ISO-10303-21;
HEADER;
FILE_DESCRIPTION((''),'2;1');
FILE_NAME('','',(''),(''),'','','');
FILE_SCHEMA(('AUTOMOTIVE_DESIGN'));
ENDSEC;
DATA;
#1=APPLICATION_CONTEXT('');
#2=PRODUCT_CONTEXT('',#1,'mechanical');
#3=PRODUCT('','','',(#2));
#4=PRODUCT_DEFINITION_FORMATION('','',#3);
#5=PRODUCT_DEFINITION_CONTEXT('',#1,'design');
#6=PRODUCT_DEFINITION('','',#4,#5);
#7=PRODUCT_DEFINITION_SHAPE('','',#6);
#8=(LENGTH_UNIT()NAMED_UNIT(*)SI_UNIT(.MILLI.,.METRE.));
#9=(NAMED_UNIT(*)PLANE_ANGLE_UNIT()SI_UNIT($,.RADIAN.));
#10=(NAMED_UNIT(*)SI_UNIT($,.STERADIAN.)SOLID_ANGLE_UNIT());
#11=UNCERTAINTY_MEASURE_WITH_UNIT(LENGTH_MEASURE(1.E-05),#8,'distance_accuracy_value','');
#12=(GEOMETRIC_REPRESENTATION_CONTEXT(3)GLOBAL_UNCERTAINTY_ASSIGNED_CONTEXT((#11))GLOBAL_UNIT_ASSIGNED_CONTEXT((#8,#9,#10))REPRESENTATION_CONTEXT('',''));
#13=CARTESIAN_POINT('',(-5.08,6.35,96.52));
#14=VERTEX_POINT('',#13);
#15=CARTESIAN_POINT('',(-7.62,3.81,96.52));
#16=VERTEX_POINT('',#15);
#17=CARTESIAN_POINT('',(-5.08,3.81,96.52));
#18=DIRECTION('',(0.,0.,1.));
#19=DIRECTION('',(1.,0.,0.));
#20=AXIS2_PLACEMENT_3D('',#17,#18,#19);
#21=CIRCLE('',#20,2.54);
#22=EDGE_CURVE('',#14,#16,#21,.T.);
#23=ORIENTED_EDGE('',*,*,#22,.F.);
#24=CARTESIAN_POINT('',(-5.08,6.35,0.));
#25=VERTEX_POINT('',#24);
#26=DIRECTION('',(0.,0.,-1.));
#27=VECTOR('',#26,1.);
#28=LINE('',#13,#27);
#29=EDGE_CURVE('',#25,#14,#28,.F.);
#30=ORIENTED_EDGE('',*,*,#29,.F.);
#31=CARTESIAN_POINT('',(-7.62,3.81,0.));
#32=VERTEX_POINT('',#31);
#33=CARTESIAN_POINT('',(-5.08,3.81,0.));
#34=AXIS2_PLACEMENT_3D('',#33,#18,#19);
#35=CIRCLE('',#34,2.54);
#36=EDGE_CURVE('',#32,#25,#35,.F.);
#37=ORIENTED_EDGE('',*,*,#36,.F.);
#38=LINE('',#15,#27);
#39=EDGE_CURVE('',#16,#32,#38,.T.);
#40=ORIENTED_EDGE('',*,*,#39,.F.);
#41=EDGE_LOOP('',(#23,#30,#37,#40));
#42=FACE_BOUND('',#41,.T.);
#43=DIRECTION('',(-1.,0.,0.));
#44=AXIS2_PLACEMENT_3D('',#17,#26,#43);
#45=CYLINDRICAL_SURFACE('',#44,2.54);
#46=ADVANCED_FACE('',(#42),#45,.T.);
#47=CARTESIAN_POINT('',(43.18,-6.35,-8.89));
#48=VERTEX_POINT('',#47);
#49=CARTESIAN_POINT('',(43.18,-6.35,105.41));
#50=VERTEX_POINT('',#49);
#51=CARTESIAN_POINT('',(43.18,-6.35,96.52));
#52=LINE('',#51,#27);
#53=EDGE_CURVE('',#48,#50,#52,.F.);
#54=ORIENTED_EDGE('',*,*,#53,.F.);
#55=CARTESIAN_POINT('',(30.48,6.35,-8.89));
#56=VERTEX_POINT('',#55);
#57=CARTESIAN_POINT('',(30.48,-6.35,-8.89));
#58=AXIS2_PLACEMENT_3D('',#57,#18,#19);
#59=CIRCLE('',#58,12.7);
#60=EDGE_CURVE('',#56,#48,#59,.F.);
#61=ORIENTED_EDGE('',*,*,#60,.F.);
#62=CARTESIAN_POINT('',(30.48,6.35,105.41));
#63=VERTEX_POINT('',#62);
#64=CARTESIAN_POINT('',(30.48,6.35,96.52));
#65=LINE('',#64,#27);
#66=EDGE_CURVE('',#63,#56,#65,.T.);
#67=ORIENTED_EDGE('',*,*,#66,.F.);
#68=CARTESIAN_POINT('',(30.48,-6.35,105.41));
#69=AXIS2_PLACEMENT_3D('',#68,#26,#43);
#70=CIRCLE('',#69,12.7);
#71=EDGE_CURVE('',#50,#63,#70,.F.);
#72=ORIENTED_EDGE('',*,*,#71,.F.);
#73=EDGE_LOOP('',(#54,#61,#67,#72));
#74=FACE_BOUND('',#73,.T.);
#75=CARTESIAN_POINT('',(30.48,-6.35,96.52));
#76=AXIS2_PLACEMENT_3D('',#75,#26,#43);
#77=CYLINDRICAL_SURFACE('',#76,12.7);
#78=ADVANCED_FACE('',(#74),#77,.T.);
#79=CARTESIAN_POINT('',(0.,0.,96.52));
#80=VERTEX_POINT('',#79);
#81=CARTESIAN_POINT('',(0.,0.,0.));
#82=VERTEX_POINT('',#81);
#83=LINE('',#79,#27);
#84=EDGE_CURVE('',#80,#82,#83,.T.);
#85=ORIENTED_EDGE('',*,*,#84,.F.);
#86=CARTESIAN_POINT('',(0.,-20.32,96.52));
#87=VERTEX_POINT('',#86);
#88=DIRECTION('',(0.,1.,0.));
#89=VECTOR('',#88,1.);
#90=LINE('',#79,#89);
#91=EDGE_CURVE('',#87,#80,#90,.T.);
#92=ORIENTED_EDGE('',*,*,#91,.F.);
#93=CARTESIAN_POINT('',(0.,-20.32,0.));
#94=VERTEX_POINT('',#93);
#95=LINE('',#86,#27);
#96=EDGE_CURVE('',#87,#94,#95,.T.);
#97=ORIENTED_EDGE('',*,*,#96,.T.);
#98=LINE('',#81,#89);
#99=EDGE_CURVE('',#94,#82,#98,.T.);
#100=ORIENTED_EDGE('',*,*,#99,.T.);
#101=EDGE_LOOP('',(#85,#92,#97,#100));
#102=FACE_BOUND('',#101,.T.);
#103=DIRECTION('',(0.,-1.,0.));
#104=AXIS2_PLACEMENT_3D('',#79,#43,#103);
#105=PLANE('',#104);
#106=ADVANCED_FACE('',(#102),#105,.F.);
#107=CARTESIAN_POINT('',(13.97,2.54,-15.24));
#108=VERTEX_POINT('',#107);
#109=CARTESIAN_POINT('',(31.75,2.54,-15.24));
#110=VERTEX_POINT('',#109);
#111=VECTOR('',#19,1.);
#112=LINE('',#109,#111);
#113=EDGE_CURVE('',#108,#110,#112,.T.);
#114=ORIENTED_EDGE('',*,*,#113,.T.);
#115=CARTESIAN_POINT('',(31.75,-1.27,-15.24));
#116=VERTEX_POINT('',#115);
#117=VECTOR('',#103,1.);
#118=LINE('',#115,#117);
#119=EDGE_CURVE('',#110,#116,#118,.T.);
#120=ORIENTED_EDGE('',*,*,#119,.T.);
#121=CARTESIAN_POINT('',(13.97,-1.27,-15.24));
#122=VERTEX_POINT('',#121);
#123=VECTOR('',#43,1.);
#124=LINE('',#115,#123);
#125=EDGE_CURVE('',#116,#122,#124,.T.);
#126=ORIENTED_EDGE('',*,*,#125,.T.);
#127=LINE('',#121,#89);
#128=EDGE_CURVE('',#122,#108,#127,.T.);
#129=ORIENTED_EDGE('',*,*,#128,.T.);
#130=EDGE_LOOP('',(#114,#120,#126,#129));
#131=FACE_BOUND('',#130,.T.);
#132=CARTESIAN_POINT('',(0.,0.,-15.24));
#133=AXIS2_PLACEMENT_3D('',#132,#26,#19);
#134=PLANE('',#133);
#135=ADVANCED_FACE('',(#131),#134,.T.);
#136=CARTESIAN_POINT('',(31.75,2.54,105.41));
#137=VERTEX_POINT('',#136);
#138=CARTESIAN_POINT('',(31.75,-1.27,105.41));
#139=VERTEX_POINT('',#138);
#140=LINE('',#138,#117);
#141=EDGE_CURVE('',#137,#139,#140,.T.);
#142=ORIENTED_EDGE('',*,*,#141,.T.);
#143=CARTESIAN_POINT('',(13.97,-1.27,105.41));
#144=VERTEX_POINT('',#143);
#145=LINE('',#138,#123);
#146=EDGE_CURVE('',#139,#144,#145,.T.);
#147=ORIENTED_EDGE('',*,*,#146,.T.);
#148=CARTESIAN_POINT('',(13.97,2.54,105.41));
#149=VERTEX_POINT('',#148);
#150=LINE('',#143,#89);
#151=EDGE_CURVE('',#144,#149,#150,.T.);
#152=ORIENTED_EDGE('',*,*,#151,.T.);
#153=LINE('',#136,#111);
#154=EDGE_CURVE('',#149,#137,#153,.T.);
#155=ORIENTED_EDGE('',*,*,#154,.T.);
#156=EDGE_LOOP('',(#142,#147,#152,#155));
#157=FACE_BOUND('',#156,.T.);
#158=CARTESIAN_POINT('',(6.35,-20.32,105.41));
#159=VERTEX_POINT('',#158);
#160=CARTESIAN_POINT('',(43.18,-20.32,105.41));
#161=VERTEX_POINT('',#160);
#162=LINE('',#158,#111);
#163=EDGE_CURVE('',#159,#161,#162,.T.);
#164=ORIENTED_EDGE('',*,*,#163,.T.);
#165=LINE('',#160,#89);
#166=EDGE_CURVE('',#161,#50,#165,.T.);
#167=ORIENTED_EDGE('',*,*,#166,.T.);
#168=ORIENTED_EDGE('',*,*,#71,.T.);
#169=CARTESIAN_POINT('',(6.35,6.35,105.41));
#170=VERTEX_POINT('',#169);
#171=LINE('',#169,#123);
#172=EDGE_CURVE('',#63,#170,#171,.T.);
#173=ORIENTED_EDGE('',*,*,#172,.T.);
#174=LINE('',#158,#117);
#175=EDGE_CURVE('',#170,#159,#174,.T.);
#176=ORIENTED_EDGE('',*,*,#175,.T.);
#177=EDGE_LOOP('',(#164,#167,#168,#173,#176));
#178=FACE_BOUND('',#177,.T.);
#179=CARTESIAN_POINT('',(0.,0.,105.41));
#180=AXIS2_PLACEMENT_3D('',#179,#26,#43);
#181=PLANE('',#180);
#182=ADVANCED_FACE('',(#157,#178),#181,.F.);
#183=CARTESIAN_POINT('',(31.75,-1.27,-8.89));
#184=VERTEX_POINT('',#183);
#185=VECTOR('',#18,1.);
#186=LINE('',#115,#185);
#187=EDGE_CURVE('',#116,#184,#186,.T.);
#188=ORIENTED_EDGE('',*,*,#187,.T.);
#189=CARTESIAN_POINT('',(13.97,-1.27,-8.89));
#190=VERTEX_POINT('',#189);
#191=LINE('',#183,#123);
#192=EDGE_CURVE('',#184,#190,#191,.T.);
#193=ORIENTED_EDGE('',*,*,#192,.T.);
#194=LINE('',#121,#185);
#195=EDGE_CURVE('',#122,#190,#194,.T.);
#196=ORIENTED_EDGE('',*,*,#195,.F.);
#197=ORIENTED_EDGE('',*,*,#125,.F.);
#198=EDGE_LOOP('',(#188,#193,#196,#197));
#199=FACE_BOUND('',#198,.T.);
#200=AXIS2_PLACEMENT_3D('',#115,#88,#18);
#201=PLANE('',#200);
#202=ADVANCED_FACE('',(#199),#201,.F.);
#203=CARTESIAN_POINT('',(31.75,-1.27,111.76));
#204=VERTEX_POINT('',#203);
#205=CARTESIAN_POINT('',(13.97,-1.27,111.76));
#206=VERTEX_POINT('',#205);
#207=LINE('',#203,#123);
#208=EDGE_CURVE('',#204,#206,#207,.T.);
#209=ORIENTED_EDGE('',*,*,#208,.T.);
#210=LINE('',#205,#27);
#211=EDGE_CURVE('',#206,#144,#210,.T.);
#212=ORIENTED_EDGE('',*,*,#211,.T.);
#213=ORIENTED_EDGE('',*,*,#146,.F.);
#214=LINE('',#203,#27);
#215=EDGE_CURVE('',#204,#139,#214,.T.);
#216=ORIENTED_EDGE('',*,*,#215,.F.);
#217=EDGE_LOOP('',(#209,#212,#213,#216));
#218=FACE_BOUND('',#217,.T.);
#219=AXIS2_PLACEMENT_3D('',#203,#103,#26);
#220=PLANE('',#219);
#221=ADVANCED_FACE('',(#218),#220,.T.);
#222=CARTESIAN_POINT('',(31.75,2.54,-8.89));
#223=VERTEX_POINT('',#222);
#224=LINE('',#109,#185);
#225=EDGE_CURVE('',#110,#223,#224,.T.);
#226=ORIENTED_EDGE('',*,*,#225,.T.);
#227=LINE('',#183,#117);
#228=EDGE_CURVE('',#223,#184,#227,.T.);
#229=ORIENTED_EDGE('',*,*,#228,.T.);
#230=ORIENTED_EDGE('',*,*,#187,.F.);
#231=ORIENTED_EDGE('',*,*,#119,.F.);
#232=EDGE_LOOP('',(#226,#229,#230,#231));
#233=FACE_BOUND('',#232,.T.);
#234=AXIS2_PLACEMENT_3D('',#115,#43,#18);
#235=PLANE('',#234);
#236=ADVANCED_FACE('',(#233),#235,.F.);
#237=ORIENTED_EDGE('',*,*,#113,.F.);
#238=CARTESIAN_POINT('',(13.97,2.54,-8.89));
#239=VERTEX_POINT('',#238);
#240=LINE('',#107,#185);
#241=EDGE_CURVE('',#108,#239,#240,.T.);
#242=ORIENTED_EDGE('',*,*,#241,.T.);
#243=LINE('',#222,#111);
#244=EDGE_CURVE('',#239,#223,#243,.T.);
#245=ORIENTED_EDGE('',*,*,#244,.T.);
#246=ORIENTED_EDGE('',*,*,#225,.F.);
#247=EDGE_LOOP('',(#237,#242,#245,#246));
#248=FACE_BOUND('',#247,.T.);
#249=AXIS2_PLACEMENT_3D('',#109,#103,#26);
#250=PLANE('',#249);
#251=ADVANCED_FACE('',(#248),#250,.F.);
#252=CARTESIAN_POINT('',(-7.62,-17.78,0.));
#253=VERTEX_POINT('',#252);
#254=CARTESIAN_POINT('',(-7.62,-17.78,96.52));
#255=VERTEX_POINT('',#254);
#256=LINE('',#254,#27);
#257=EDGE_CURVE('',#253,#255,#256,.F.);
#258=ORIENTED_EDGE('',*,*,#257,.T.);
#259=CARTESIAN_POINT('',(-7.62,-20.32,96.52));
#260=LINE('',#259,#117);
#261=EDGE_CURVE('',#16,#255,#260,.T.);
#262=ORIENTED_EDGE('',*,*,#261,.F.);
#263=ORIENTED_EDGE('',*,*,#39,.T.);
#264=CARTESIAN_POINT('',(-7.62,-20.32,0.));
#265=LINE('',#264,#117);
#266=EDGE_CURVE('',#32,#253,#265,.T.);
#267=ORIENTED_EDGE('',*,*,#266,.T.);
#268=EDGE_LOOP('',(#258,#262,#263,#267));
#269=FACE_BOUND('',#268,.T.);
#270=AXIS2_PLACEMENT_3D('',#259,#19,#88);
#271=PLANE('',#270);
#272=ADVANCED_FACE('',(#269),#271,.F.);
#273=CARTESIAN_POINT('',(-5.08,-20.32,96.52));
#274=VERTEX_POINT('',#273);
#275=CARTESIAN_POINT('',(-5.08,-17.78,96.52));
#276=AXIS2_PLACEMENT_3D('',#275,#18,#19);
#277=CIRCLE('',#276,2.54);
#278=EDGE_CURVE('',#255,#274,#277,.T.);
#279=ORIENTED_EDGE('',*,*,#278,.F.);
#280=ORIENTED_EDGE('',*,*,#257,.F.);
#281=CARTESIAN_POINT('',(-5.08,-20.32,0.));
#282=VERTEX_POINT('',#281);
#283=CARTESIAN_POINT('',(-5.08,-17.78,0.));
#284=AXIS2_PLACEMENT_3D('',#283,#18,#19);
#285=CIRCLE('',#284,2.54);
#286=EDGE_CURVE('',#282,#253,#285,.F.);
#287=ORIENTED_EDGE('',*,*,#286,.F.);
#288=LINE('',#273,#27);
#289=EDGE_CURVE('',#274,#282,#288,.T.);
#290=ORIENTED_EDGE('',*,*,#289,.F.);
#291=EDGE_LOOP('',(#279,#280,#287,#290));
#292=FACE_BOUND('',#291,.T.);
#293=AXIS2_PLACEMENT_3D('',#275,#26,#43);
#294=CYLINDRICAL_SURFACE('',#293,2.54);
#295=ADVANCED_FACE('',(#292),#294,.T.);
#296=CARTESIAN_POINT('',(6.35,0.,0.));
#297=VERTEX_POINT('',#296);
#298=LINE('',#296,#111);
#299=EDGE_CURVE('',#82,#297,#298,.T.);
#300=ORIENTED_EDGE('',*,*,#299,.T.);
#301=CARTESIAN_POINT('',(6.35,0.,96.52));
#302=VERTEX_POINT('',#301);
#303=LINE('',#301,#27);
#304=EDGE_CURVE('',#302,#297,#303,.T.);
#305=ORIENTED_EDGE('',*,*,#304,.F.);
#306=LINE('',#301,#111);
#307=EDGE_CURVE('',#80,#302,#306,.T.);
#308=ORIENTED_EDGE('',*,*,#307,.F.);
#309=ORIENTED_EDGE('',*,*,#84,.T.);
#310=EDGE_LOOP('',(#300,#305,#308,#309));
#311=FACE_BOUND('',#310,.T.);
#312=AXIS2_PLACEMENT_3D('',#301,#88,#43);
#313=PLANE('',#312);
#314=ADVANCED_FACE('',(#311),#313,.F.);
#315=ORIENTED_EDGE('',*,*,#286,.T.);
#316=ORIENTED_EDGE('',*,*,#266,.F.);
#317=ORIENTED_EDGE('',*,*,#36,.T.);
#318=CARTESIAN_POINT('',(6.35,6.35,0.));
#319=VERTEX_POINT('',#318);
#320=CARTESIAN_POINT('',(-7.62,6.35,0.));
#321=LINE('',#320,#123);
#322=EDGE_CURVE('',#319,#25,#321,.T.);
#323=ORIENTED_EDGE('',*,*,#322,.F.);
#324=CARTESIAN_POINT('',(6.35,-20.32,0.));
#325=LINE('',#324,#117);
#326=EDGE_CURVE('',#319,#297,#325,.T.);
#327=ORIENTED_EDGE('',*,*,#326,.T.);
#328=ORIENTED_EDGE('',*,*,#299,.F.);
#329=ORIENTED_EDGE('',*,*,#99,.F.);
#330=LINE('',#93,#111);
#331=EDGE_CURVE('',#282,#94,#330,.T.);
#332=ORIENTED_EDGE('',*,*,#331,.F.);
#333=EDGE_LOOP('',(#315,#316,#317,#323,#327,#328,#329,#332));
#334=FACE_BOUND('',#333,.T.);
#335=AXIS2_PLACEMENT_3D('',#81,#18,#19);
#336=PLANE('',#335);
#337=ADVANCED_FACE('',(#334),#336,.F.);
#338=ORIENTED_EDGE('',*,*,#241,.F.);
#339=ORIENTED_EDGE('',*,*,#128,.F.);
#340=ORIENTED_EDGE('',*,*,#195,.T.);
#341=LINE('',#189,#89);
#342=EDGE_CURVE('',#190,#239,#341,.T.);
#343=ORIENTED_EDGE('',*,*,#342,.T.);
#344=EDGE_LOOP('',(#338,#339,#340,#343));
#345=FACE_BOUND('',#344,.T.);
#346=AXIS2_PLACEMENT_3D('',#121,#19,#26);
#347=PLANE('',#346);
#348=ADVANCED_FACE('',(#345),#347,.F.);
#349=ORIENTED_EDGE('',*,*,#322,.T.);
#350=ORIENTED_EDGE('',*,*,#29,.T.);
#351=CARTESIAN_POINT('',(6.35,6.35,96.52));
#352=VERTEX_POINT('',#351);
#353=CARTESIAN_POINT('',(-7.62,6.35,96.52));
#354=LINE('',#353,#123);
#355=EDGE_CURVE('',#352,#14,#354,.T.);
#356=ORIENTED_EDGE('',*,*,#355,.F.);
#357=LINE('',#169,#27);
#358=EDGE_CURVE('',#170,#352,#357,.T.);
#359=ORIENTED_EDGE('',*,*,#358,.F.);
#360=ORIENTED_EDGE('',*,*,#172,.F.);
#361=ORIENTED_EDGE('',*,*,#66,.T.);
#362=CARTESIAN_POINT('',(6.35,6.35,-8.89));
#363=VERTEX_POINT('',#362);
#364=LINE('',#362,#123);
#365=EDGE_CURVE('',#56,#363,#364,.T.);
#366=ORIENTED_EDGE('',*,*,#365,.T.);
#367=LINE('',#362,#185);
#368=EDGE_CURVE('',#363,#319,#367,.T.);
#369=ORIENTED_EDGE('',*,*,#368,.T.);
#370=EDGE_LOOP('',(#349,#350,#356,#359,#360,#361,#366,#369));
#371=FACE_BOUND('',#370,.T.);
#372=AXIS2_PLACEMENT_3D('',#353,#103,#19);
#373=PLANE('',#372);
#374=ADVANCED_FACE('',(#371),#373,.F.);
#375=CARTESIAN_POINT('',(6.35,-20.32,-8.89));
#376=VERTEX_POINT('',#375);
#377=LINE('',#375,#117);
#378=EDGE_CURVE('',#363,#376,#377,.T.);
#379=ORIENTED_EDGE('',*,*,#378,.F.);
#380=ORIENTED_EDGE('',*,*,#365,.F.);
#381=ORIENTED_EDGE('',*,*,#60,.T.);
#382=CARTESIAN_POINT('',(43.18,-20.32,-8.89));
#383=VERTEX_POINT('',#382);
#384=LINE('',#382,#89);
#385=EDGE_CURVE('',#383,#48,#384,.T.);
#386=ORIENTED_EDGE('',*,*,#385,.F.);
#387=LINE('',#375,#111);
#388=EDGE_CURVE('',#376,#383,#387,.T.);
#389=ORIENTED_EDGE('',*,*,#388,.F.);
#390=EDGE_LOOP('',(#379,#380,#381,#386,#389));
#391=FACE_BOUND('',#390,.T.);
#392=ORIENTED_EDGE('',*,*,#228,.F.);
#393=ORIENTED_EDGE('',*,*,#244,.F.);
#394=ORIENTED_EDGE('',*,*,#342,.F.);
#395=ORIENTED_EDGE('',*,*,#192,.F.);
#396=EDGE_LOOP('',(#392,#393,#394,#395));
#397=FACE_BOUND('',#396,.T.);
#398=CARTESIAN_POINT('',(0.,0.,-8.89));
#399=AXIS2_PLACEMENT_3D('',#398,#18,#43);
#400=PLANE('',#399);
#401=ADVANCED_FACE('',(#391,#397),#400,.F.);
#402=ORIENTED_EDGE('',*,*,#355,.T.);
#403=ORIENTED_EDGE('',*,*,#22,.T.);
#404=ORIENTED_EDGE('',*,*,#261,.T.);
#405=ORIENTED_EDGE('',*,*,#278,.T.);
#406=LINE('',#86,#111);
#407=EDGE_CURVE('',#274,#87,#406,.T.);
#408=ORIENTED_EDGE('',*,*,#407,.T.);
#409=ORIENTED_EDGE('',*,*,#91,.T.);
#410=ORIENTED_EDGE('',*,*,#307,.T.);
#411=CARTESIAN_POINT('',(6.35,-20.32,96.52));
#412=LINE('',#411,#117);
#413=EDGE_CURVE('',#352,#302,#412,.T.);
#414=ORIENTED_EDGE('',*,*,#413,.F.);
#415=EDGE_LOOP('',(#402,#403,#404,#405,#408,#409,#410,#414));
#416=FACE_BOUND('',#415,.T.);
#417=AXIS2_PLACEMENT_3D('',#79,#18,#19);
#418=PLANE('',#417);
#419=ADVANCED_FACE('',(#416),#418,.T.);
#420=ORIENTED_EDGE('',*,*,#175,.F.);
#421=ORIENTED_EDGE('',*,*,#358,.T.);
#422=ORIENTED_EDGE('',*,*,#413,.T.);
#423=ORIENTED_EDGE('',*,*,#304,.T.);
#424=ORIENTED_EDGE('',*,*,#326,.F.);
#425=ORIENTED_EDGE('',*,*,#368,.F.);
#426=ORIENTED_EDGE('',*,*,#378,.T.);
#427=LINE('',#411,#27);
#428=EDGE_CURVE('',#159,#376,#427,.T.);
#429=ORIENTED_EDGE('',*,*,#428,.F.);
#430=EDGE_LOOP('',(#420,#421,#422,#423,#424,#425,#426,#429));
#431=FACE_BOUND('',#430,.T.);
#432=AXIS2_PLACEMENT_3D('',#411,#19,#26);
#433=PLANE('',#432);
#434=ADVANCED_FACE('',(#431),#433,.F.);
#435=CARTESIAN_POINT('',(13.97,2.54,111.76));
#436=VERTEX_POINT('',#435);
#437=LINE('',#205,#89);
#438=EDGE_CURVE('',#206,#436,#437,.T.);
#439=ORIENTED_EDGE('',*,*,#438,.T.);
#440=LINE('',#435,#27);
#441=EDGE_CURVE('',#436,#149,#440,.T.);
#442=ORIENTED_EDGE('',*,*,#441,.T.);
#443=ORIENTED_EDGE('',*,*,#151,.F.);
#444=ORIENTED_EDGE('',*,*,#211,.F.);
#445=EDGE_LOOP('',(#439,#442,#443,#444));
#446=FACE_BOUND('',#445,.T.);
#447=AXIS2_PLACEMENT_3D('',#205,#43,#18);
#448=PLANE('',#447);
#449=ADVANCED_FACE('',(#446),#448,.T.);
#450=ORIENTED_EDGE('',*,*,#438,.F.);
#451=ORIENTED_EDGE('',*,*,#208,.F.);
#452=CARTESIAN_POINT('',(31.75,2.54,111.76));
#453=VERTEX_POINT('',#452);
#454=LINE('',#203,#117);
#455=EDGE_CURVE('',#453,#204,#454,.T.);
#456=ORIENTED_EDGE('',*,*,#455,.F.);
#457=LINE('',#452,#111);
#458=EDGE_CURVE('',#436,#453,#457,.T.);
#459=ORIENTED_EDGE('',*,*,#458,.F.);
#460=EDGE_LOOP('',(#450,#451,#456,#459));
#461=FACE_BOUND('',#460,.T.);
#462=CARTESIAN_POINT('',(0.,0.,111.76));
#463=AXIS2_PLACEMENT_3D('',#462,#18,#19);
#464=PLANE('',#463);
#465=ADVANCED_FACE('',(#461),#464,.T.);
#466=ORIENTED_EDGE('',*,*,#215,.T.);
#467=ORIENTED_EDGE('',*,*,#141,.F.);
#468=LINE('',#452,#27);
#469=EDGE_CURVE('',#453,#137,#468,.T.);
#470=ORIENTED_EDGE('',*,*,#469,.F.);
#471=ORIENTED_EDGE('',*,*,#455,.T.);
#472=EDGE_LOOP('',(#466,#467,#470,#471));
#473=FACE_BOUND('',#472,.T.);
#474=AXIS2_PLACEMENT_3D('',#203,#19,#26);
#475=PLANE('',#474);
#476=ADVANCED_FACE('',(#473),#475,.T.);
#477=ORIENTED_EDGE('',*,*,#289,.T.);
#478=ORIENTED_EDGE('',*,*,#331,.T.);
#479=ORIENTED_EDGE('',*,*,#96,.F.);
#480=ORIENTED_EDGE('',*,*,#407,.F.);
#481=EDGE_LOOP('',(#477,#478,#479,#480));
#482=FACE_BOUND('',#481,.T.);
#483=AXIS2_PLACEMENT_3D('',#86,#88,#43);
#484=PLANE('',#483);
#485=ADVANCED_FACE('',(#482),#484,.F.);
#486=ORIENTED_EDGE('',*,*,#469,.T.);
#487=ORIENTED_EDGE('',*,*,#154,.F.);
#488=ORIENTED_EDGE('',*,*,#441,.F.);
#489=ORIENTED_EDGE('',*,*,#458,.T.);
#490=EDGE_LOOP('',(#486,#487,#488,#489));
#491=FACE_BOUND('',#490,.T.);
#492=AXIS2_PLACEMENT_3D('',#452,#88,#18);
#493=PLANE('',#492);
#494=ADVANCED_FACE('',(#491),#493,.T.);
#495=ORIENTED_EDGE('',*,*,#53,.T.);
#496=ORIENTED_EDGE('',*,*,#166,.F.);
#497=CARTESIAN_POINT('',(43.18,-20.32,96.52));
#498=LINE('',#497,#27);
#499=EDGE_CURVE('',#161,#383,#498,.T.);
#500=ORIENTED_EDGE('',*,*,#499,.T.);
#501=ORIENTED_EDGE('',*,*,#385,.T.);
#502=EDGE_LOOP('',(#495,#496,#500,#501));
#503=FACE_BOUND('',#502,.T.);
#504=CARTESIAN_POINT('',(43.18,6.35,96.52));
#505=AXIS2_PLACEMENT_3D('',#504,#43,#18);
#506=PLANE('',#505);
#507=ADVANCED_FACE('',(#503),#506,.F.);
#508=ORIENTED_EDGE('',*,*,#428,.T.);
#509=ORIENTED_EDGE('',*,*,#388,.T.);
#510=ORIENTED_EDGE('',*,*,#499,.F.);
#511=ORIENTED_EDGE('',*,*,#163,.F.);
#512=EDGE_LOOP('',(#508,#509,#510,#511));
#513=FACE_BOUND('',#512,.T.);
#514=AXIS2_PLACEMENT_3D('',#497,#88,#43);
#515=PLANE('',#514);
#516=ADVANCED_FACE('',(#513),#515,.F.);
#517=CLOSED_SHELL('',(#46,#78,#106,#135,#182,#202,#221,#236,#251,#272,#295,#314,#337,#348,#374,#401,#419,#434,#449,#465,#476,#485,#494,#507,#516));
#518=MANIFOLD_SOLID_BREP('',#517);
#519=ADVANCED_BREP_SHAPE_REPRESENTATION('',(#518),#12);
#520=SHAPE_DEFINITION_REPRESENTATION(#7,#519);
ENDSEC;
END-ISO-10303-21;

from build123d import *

# Parameters (mm, degrees)
BOSS_EXTRUDE1_DEPTH = 96.52
SKETCH3_W           = 36.83
SKETCH3_H           = 26.67
BOSS_EXTRUDE3_DEPTH = 8.89
SKETCH2_W           = 17.78
SKETCH2_H           = 3.81
BOSS_EXTRUDE4_DEPTH = 6.35
FILLET1_R           = 12.7
FILLET2_R           = 2.54


with BuildPart() as part:
    # Sketch1 → Boss-Extrude1 (new body)
    with BuildSketch(Plane.XY):
        Polygon((0, 0), (0, -20.32), (-7.62, -20.32), (-7.62, 6.35), (43.18, 6.35), (43.18, -20.32), (6.35, -20.32), (6.35, 0), align=None)
    extrude(amount=BOSS_EXTRUDE1_DEPTH)

    # Sketch3 → Boss-Extrude3 (add)
    with BuildSketch(Plane.XY.offset(96.52)):
        with Locations((24.765, -6.985)):
            Rectangle(SKETCH3_W, SKETCH3_H)
    boss_extrude3 = extrude(amount=BOSS_EXTRUDE3_DEPTH)

    # Sketch2 → Boss-Extrude4 (add)
    with BuildSketch(Plane(origin=(0, 0, 105.41), x_dir=(-1, 0, 0), z_dir=(0, 0, -1))):
        with Locations((-22.86, 0.635)):
            Rectangle(SKETCH2_W, SKETCH2_H)
    boss_extrude4 = extrude(amount=-BOSS_EXTRUDE4_DEPTH)

    # Mirror2: Boss-Extrude3, Boss-Extrude4 across plane
    add(boss_extrude3.mirror(Plane(origin=(0, 0, 48.26), x_dir=(1, 0, 0), z_dir=(0, 0, -1))))
    add(boss_extrude4.mirror(Plane(origin=(0, 0, 48.26), x_dir=(1, 0, 0), z_dir=(0, 0, -1))))

    # Fillet1
    fillet1_edges = [part.edges().sort_by_distance(p)[0] for p in [
        (43.18, 6.35, 48.26),
    ]]
    fillet(fillet1_edges, radius=FILLET1_R)

    # Fillet2
    fillet2_edges = [part.edges().sort_by_distance(p)[0] for p in [
        (-7.62, -20.32, 48.26),
        (-7.62, 6.35, 48.26),
    ]]
    fillet(fillet2_edges, radius=FILLET2_R)


solid = part.part
